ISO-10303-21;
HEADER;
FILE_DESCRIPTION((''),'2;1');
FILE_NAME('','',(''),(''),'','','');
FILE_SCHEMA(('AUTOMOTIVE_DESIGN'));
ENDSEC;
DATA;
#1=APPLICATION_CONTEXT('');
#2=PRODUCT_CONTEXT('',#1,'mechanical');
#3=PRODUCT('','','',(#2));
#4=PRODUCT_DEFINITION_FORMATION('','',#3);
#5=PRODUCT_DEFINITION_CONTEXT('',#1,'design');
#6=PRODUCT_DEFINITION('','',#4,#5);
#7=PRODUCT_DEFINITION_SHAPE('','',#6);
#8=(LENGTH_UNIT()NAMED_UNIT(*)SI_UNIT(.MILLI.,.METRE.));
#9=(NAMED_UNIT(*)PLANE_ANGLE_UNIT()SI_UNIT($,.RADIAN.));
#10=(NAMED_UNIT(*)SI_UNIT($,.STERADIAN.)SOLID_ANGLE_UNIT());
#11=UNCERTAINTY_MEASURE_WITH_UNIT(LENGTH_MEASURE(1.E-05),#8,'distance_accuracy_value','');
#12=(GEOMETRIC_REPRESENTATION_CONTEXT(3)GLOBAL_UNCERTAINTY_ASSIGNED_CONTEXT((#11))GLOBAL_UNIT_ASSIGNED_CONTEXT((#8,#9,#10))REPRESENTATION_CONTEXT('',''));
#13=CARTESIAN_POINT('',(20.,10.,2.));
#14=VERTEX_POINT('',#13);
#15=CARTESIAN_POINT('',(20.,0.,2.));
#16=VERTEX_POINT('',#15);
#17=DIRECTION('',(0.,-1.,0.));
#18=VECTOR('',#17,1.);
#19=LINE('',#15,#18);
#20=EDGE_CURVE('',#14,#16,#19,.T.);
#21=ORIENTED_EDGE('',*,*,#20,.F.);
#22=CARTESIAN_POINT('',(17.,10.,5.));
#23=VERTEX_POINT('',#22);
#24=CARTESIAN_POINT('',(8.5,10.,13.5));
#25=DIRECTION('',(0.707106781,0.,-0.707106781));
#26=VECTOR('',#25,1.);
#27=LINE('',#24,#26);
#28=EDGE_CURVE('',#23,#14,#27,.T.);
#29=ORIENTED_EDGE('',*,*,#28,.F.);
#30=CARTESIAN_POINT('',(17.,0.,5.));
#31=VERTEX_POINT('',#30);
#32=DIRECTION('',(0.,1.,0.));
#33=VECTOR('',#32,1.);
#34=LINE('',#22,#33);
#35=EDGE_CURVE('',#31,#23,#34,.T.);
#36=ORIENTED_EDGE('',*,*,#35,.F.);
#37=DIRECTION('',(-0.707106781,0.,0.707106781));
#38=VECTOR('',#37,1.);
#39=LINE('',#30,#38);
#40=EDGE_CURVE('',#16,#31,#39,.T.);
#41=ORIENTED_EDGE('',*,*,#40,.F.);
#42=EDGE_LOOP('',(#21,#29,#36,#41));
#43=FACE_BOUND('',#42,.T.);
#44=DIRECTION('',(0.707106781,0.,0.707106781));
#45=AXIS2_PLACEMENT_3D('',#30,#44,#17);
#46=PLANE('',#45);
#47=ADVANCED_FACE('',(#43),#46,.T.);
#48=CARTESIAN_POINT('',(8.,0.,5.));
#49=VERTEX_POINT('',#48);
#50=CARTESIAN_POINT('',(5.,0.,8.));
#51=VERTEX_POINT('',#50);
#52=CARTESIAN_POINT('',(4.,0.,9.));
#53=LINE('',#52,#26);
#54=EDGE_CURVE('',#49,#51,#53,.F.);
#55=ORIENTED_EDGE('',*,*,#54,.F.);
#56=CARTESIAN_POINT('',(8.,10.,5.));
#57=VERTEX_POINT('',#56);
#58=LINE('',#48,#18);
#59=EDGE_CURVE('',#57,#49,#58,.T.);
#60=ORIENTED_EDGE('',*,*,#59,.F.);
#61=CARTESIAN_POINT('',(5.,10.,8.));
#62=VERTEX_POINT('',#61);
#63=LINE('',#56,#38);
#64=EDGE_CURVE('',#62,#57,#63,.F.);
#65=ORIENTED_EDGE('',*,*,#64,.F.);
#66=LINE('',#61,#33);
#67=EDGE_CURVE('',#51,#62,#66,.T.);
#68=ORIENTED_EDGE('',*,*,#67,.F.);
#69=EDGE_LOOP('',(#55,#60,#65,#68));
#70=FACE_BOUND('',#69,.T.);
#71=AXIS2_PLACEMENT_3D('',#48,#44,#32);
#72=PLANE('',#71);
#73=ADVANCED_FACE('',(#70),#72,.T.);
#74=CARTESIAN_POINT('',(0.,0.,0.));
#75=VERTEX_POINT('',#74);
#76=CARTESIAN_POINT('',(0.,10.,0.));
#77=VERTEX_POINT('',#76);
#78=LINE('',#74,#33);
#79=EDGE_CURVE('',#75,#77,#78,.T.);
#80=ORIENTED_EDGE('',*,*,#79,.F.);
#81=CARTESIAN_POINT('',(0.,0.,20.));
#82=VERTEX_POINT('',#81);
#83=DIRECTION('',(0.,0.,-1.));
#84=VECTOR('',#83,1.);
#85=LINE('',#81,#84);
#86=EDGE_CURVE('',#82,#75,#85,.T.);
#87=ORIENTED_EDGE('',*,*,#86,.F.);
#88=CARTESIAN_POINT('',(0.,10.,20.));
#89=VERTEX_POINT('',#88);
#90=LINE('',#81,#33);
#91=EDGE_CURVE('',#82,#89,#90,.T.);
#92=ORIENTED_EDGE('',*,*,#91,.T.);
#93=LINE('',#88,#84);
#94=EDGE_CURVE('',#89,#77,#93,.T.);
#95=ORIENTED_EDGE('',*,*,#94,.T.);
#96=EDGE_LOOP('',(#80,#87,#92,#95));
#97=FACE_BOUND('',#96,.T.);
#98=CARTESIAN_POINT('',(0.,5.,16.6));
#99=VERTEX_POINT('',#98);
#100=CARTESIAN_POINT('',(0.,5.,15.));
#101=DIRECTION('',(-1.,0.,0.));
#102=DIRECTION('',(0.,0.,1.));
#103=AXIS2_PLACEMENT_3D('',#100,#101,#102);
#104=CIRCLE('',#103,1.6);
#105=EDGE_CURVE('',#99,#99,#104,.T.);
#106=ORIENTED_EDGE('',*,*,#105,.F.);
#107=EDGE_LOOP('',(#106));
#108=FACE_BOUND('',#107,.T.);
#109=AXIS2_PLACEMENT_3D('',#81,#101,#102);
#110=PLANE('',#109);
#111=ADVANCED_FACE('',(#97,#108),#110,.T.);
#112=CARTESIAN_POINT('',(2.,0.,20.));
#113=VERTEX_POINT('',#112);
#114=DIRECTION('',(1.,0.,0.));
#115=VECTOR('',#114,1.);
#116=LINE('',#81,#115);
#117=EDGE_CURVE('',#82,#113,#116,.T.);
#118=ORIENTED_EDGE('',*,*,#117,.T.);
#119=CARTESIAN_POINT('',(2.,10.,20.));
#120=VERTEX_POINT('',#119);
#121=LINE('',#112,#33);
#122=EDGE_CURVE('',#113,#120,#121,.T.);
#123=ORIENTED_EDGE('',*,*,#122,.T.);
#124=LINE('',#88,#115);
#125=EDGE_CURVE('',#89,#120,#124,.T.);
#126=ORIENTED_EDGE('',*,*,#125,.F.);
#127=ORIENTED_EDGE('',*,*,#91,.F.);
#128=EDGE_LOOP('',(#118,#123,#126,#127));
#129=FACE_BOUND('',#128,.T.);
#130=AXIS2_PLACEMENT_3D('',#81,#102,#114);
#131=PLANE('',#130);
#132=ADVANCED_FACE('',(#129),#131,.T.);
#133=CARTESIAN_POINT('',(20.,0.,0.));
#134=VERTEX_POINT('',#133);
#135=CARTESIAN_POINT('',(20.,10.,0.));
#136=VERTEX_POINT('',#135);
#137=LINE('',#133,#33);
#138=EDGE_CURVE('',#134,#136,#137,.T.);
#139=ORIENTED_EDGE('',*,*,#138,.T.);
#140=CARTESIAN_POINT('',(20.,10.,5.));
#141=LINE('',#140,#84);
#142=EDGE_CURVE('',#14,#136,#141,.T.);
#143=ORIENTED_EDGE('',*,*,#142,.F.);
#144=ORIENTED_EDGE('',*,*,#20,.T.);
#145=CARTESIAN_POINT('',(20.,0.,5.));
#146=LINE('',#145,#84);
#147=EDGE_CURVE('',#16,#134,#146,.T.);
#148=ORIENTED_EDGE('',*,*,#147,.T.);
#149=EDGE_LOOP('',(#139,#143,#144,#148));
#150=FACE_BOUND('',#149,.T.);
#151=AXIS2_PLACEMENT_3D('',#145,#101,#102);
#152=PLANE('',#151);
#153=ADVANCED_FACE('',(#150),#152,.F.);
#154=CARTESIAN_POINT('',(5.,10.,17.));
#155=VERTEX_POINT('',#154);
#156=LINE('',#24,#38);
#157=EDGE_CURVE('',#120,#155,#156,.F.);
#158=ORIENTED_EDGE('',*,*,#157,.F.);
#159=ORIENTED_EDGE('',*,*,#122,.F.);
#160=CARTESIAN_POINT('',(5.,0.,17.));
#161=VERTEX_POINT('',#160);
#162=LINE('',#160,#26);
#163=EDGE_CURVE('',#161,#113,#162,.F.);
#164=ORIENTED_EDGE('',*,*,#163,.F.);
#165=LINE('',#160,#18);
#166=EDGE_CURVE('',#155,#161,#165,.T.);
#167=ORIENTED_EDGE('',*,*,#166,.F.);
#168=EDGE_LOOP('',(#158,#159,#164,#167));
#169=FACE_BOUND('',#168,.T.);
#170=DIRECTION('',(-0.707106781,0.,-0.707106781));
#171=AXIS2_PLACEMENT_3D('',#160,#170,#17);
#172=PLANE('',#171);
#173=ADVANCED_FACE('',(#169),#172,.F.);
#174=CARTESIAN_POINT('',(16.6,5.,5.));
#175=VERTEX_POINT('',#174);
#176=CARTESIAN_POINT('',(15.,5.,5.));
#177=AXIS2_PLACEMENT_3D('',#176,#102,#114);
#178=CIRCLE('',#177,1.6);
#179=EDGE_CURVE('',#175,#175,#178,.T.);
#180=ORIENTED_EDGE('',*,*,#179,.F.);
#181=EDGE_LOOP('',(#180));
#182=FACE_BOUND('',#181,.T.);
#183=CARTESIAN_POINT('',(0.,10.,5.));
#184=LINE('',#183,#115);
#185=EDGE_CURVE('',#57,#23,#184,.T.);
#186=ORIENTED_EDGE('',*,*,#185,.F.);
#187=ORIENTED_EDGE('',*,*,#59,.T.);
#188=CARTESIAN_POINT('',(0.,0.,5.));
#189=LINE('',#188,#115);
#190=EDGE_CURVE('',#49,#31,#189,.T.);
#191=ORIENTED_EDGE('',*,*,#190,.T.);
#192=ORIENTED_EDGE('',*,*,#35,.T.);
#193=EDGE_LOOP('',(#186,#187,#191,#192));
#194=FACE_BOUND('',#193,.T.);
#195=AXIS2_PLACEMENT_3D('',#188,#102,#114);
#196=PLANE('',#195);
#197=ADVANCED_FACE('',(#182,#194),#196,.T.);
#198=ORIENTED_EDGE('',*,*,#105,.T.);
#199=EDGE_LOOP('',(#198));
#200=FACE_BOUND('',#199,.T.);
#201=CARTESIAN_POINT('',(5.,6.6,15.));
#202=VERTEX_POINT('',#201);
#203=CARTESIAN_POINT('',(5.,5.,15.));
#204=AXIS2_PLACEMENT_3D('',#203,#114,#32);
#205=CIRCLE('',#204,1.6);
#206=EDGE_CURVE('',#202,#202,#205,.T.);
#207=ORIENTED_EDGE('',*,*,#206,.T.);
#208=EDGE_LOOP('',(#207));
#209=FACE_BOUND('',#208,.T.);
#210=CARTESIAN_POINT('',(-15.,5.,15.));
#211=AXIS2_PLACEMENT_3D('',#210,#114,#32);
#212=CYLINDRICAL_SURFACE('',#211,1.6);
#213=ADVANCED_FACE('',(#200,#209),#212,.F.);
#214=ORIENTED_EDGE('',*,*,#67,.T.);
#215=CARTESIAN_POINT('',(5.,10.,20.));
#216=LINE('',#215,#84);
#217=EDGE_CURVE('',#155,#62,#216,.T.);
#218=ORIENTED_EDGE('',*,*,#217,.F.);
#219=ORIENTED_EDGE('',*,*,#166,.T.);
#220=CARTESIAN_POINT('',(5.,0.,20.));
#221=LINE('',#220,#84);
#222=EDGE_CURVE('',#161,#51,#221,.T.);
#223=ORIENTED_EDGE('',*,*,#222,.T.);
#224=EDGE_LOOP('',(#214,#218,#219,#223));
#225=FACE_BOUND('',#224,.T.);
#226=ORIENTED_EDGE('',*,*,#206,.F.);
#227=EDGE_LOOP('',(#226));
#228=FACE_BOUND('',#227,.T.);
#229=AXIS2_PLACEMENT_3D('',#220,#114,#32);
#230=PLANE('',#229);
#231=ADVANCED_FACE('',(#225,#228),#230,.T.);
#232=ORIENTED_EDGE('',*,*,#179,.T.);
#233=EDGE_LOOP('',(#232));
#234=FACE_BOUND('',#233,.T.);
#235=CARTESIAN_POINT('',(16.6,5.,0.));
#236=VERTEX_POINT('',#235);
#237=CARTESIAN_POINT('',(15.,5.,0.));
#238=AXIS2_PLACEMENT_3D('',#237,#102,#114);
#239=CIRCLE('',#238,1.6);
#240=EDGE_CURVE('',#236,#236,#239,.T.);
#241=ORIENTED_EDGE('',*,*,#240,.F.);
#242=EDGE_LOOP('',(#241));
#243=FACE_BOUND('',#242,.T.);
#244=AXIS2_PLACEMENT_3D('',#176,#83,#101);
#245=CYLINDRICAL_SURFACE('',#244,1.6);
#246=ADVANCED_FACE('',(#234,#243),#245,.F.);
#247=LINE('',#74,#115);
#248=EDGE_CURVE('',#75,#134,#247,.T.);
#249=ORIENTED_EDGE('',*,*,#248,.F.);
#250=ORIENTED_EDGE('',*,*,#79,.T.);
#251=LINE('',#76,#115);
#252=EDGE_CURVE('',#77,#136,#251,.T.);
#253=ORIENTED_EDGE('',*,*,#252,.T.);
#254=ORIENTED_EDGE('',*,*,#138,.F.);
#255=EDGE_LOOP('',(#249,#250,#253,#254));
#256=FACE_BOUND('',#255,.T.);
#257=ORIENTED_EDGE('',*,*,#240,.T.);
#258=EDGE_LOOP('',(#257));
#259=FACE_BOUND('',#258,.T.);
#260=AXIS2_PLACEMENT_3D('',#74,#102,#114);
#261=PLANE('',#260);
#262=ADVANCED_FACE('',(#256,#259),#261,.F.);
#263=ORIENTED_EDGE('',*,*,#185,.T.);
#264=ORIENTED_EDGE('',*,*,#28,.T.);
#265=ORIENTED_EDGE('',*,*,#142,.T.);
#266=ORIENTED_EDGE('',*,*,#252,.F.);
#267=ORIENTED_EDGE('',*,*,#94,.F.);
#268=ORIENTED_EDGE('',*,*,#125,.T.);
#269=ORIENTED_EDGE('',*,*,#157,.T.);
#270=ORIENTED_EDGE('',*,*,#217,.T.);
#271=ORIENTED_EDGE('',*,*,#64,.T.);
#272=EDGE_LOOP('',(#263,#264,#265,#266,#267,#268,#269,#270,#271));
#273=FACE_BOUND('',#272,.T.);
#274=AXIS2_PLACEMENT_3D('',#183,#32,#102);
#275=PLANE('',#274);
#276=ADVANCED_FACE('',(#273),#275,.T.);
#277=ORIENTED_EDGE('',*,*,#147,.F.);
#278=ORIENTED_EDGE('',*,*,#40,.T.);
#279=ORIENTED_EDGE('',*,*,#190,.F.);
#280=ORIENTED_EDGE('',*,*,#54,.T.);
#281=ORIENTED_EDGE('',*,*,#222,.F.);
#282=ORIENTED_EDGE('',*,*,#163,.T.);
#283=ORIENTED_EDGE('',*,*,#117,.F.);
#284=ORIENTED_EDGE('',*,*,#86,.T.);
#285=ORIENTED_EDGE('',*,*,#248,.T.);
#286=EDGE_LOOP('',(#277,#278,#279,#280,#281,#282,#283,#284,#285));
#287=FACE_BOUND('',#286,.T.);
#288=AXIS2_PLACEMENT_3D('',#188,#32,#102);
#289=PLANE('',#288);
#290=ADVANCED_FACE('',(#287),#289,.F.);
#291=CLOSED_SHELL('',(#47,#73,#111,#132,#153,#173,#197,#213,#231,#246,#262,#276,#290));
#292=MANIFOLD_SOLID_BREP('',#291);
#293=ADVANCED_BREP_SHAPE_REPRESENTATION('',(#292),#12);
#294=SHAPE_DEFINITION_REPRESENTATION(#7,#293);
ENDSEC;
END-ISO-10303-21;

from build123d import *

# Parameters (mm, degrees)
SKIZZE1_W                       = 15
SKIZZE1_H                       = 10
SKIZZE1_R                       = 1.6
AUFSATZ_LINEAR_AUSTRAGEN1_DEPTH = 5
SKIZZE1_9_W                     = 5
SKIZZE1_9_H                     = 10
AUFSATZ_LINEAR_AUSTRAGEN2_DEPTH = 20
SKIZZE3_R                       = 1.6
SCHNITT_LINEAR_AUSTRAGEN2_DEPTH = 20
FASE2_SIZE                      = 3


with BuildPart() as part:
    # Skizze1 → Aufsatz-Linear austragen1 (new body)
    with BuildSketch(Plane.XY):
        with Locations((12.5, 5)):
            Rectangle(SKIZZE1_W, SKIZZE1_H)
        with Locations((15, 5)):
            Circle(SKIZZE1_R, mode=Mode.SUBTRACT)
    extrude(amount=AUFSATZ_LINEAR_AUSTRAGEN1_DEPTH)

    # Skizze1<9> → Aufsatz-Linear austragen2 (add)
    with BuildSketch(Plane.XY):
        with Locations((2.5, 5)):
            Rectangle(SKIZZE1_9_W, SKIZZE1_9_H)
    extrude(amount=AUFSATZ_LINEAR_AUSTRAGEN2_DEPTH)

    # Skizze3 → Schnitt-Linear austragen2 (cut)
    with BuildSketch(Plane(origin=(5, 0, 0), x_dir=(0, 0, -1), z_dir=(1, 0, 0))):
        with Locations((-15, 5)):
            Circle(SKIZZE3_R)
    extrude(amount=-SCHNITT_LINEAR_AUSTRAGEN2_DEPTH, mode=Mode.SUBTRACT)

    # Fase2
    fase2_edges = [part.edges().sort_by_distance(p)[0] for p in [
        (5, 5, 20),
        (20, 5, 5),
        (5, 5, 5),
    ]]
    chamfer(fase2_edges, length=FASE2_SIZE)


solid = part.part
